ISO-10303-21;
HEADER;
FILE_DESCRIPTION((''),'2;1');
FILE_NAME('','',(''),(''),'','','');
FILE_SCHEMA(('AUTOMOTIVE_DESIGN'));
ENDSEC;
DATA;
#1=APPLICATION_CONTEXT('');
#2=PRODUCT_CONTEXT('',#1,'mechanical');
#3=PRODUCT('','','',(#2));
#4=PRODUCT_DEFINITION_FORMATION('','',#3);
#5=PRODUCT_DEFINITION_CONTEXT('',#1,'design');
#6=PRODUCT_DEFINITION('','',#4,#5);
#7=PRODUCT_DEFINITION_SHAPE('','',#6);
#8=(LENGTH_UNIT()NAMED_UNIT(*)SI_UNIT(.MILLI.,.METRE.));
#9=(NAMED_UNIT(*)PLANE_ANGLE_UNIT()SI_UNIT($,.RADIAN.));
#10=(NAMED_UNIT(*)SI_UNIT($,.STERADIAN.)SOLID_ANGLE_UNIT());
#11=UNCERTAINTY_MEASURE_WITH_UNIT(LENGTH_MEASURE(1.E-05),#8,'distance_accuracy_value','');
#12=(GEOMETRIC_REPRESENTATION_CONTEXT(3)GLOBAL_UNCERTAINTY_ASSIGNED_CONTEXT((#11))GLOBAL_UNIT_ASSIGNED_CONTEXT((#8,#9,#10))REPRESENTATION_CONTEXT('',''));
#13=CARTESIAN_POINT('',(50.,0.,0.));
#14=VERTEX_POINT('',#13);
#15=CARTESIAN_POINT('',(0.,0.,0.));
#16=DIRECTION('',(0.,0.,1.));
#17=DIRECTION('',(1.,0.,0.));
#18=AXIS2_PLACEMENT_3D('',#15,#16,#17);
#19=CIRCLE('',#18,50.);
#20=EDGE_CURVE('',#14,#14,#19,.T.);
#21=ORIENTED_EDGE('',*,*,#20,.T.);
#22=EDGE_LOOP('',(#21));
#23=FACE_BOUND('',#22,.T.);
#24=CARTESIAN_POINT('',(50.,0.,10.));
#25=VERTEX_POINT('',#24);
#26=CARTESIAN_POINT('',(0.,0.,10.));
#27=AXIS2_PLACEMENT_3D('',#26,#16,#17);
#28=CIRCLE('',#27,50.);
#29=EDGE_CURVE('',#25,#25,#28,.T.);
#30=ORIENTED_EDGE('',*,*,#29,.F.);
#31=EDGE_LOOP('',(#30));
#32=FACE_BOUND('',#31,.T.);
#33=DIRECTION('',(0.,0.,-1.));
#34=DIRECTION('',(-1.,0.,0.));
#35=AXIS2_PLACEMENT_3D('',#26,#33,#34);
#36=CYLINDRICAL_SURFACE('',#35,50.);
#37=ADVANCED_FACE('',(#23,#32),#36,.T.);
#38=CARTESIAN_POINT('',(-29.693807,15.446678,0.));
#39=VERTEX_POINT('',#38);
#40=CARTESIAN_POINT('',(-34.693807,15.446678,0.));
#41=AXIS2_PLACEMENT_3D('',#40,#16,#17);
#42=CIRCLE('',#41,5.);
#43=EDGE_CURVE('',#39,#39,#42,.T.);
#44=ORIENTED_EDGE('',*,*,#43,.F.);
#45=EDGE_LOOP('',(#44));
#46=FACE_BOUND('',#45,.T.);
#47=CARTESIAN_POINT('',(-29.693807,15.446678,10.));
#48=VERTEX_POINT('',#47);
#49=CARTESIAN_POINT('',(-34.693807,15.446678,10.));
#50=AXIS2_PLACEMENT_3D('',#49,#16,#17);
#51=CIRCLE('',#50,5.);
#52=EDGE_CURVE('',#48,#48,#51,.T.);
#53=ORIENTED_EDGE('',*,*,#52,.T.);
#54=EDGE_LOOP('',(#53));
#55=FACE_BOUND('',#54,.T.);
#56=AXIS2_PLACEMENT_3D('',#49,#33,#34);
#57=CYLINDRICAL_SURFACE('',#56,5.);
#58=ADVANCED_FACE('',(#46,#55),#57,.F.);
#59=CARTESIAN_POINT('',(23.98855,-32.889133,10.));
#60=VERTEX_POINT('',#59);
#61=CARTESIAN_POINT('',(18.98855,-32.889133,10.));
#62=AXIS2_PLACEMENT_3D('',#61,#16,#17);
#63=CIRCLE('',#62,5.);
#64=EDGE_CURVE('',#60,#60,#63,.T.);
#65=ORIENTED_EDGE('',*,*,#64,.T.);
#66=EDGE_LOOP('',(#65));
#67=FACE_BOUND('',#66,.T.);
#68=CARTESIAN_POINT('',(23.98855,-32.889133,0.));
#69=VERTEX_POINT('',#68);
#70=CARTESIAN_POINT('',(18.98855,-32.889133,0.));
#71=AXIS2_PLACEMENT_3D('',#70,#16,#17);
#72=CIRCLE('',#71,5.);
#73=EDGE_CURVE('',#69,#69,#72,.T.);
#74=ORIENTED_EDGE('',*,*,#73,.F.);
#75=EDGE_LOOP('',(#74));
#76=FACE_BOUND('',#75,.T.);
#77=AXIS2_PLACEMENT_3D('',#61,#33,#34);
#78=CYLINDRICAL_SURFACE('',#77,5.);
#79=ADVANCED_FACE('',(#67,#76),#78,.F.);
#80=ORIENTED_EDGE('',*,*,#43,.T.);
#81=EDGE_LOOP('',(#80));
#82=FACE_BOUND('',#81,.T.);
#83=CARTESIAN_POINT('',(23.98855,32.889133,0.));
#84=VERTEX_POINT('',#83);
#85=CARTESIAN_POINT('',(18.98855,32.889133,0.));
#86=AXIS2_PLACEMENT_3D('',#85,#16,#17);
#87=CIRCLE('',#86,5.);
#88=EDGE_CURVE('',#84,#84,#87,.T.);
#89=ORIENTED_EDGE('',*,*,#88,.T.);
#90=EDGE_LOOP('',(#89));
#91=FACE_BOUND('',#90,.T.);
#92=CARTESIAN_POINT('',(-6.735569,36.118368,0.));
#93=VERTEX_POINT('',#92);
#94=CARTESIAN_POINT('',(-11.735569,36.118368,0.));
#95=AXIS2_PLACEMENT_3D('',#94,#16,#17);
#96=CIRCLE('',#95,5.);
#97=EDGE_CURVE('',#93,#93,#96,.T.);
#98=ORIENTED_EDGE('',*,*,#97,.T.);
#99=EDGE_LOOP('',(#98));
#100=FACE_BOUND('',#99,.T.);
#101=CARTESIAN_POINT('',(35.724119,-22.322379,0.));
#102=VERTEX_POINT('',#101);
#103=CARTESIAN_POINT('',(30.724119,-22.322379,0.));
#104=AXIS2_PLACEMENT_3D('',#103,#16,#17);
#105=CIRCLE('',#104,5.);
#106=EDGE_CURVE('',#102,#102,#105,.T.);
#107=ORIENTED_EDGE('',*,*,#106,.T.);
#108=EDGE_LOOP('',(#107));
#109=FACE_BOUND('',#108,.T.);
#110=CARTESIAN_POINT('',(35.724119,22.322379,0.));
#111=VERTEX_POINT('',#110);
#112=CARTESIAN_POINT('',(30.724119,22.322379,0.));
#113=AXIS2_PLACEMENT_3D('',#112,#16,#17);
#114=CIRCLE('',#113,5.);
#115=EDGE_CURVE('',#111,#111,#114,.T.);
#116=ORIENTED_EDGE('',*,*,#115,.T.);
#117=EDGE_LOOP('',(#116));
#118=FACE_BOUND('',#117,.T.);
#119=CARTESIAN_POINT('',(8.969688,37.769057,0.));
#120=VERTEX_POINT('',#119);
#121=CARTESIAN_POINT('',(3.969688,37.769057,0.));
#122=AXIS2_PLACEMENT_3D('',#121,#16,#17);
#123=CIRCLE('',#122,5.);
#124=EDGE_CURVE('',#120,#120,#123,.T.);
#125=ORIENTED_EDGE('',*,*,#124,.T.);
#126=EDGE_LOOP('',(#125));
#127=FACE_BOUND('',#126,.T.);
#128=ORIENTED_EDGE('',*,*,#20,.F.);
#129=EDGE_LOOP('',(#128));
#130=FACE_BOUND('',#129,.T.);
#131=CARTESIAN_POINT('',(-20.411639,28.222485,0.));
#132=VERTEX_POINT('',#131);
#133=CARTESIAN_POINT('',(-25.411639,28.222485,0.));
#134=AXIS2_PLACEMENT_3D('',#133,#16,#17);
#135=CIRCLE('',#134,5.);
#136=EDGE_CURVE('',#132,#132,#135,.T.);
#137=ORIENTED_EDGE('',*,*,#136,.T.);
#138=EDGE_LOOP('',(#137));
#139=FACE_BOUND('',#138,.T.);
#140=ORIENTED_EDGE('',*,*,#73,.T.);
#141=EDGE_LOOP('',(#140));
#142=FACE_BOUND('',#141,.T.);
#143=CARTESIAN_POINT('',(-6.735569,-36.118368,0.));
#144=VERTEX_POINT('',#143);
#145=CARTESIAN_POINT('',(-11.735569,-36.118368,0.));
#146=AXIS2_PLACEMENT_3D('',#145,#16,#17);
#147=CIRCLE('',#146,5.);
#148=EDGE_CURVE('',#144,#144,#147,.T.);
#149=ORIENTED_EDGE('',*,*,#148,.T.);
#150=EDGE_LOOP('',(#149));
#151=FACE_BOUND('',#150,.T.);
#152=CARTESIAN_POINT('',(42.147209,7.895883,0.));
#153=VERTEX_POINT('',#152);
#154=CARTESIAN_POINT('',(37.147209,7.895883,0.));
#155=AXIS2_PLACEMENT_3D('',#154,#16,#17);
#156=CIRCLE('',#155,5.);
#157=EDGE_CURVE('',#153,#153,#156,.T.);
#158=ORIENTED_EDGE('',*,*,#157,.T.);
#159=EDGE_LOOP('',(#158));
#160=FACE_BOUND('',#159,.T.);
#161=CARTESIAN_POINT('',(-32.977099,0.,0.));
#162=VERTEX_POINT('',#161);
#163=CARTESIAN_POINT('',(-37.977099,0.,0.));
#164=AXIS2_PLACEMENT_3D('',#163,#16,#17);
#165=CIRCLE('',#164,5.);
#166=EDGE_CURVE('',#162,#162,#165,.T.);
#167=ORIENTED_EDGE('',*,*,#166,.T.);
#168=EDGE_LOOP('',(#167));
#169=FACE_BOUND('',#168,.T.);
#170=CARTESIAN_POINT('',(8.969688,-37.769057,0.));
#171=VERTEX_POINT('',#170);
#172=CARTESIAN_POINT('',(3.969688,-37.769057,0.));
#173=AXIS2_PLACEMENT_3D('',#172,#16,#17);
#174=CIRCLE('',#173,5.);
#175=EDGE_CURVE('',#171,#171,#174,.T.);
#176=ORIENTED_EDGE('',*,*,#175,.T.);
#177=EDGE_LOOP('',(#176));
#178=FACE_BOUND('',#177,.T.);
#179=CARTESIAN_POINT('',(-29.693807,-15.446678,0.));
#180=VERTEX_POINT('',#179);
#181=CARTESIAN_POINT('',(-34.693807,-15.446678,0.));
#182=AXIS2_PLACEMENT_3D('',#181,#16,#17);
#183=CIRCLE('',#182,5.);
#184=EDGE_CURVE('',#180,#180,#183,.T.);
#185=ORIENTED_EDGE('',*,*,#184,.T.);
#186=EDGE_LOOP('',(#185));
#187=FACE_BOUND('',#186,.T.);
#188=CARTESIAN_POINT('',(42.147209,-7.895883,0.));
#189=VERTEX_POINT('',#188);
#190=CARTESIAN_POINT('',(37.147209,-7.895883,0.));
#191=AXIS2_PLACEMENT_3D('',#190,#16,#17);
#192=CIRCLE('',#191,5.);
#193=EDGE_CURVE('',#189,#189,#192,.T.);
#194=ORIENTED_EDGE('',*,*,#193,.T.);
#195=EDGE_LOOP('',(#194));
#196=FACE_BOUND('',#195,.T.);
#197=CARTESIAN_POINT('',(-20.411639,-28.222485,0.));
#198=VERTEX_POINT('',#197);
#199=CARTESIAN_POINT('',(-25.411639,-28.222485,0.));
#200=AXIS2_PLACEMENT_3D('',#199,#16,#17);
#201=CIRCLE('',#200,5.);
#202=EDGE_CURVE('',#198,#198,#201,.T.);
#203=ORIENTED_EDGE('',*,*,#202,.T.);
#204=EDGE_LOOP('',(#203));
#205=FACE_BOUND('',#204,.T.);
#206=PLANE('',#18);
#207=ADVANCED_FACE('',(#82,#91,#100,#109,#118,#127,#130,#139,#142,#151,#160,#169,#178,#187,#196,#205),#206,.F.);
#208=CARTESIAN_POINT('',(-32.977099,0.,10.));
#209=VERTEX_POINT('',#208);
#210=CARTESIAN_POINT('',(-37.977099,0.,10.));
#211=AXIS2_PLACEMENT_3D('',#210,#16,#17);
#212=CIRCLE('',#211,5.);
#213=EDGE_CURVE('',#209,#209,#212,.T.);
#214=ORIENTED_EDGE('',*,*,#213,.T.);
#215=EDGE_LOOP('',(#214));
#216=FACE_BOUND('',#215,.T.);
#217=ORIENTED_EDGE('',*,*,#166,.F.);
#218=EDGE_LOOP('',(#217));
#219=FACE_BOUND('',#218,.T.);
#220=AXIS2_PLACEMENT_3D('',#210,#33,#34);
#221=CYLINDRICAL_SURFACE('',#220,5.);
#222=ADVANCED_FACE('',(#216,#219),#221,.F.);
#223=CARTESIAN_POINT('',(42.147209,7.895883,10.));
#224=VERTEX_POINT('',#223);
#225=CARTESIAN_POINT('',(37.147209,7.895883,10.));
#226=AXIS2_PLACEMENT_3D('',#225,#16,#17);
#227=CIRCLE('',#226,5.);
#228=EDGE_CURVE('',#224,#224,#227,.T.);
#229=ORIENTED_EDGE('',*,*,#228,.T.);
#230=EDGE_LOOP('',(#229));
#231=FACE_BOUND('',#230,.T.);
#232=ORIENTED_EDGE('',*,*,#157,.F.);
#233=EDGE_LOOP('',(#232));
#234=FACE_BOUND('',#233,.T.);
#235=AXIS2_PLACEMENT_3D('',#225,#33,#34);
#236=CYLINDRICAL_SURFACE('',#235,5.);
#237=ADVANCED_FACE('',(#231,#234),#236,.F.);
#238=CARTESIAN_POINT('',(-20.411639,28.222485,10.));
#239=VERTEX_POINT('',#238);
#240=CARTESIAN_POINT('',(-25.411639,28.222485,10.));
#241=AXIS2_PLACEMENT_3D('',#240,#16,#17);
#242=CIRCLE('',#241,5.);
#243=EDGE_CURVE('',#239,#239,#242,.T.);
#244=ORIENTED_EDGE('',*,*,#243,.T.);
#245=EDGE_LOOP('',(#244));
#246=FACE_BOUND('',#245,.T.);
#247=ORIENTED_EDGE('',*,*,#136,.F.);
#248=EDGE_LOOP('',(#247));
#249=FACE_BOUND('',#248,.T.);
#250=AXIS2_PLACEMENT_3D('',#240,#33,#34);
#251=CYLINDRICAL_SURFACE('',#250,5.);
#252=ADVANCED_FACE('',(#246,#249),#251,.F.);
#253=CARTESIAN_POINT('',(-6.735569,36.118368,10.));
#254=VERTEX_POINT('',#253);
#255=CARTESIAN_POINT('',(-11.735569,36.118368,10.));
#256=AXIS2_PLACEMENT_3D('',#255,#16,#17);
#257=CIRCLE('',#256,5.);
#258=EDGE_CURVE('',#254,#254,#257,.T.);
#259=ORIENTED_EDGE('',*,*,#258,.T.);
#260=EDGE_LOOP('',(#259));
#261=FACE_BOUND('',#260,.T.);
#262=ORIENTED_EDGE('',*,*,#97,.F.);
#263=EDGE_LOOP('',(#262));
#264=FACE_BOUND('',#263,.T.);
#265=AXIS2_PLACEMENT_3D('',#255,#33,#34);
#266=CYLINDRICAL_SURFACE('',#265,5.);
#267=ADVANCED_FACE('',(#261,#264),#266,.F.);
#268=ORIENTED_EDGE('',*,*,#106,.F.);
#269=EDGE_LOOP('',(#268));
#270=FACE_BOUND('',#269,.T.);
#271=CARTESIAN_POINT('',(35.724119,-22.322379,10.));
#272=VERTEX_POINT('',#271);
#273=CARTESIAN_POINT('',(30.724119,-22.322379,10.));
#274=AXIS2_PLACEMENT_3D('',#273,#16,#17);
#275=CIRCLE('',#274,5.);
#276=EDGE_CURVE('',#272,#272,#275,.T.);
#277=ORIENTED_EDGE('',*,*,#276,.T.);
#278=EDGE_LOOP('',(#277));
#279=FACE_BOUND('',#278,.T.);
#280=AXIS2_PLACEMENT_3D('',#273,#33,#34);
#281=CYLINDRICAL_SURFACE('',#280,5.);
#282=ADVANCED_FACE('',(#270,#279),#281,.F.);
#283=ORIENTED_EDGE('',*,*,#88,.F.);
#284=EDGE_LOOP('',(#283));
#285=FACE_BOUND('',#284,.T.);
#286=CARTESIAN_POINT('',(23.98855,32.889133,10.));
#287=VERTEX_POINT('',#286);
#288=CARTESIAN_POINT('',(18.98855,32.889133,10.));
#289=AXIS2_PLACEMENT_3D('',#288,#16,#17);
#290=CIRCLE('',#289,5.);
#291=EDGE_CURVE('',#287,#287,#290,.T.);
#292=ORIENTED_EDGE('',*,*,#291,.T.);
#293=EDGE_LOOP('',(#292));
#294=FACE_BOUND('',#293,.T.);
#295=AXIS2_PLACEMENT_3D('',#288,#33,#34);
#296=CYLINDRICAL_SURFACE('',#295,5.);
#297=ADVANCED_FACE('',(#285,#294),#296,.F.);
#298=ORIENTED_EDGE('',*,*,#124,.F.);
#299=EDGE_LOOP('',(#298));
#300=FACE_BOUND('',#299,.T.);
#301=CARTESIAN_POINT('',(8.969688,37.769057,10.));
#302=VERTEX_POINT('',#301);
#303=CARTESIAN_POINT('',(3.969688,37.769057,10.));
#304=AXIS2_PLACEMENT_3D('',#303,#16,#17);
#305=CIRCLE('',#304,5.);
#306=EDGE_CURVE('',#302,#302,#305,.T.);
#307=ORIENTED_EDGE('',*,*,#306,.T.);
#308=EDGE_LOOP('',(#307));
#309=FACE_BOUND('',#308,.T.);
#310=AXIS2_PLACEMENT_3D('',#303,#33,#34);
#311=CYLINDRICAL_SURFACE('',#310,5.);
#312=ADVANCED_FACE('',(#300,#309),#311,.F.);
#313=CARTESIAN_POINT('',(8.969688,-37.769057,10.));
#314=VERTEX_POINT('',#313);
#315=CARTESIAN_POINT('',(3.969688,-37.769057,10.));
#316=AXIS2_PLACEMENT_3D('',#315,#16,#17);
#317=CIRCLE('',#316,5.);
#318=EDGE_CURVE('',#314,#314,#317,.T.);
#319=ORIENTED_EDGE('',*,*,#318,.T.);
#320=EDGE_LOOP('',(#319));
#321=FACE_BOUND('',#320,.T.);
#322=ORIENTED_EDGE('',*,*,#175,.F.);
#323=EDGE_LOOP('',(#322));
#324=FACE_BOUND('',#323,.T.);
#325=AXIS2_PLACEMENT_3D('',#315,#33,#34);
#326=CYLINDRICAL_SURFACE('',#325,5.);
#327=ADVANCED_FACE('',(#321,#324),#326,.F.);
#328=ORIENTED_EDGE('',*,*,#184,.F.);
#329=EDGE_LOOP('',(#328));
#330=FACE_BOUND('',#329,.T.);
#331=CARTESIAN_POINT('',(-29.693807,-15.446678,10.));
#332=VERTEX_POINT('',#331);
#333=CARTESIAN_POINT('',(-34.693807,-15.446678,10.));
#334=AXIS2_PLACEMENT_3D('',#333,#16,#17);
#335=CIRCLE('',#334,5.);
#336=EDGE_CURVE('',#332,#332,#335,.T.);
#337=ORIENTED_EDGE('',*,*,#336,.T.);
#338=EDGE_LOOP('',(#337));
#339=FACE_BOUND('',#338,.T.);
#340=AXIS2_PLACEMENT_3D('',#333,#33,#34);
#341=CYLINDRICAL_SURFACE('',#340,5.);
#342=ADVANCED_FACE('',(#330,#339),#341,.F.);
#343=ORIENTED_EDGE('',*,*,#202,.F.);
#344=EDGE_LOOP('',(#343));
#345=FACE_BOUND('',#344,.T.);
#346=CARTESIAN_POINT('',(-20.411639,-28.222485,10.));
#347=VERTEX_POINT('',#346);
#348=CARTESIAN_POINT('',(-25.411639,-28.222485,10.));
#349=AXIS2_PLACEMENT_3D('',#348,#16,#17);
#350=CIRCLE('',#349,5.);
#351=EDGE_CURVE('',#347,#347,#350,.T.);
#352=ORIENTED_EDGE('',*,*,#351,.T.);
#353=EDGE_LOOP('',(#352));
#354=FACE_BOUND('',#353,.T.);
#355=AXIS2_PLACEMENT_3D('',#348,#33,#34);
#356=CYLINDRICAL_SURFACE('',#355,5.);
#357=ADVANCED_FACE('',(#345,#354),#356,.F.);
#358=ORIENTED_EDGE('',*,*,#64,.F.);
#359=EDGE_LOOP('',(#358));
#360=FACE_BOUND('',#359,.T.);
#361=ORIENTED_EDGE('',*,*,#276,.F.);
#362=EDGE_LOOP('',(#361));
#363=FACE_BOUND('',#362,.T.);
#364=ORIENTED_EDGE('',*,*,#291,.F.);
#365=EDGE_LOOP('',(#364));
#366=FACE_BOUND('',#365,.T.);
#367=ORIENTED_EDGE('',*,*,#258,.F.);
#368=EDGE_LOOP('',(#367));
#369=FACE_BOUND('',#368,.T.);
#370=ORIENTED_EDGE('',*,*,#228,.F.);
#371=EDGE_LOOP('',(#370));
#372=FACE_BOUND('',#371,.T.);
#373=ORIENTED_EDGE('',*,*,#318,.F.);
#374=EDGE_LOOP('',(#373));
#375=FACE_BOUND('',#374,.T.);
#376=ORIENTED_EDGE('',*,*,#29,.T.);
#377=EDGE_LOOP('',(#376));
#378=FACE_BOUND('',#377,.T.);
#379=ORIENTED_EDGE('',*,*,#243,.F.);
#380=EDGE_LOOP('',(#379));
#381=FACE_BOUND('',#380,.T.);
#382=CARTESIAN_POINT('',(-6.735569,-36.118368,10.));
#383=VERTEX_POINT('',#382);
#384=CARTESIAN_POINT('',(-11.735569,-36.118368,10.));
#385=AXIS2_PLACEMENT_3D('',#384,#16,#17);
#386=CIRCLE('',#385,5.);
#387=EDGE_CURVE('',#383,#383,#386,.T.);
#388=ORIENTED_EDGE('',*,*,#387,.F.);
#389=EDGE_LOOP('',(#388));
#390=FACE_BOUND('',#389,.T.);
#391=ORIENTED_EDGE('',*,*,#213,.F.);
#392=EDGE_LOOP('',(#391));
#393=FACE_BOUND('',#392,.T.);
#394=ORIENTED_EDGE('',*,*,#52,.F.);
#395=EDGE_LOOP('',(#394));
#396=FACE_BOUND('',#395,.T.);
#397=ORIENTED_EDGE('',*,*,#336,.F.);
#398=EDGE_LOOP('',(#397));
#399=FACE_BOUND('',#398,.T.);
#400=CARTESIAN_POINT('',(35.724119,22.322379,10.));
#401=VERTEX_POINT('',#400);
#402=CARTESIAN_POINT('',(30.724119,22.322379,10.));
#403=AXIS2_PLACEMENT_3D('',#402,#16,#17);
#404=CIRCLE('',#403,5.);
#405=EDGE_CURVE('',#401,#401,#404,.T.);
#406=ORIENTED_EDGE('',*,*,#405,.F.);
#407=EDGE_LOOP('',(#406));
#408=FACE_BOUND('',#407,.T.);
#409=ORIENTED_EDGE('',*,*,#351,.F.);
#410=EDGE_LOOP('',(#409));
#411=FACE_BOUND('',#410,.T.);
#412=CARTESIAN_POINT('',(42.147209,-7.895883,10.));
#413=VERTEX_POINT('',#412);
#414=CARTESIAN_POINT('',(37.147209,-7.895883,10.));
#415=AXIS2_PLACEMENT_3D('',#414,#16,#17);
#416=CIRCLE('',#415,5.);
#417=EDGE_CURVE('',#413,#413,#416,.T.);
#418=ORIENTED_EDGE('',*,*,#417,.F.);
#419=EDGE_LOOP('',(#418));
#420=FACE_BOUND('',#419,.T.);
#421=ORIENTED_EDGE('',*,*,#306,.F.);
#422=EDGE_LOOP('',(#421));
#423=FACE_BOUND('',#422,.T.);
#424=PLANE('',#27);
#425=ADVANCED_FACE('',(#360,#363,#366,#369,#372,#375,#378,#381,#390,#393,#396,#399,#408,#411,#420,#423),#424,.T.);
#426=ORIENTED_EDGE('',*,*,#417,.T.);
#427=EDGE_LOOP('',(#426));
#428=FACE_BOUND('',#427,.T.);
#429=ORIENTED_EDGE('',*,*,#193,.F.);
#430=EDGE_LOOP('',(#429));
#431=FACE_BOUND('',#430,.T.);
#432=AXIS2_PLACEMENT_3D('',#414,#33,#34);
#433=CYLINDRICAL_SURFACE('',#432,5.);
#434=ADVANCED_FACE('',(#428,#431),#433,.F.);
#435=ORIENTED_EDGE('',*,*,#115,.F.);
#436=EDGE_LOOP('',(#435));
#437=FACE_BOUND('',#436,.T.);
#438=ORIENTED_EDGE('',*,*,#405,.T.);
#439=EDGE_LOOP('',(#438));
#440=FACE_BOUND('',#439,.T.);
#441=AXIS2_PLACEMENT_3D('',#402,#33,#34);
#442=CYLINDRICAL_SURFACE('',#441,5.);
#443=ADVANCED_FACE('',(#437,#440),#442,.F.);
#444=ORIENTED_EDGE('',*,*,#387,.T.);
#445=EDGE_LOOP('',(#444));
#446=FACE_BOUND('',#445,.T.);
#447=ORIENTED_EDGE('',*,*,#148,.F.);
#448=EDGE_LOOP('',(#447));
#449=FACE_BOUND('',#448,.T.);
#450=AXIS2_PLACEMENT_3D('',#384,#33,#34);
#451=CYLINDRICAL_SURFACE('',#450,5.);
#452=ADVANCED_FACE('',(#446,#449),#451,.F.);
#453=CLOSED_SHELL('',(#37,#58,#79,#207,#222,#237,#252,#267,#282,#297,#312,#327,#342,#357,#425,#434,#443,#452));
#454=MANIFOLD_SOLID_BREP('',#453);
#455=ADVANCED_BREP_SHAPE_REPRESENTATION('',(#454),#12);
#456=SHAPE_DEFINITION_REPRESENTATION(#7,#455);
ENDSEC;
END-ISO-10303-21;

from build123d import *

# Parameters (mm, degrees)
CROQUIS1_R              = 50
CROQUIS1_R_2            = 5
SALIENTE_EXTRUIR1_DEPTH = 10


with BuildPart() as part:
    # Croquis1 → Saliente-Extruir1 (new body)
    with BuildSketch(Plane.XY):
        Circle(CROQUIS1_R)
        with Locations((-37.977099237, 0)):
            Circle(CROQUIS1_R_2, mode=Mode.SUBTRACT)
        with Locations((-34.693806502, 15.446677857)):
            Circle(CROQUIS1_R_2, mode=Mode.SUBTRACT)
        with Locations((-25.41163944, 28.222484784)):
            Circle(CROQUIS1_R_2, mode=Mode.SUBTRACT)
        with Locations((-11.735569061, 36.118367699)):
            Circle(CROQUIS1_R_2, mode=Mode.SUBTRACT)
        with Locations((3.969687823, 37.769056713)):
            Circle(CROQUIS1_R_2, mode=Mode.SUBTRACT)
        with Locations((18.988549618, 32.889132701)):
            Circle(CROQUIS1_R_2, mode=Mode.SUBTRACT)
        with Locations((30.72411868, 22.322378856)):
            Circle(CROQUIS1_R_2, mode=Mode.SUBTRACT)
        with Locations((37.147208501, 7.895882915)):
            Circle(CROQUIS1_R_2, mode=Mode.SUBTRACT)
        with Locations((37.147208501, -7.895882915)):
            Circle(CROQUIS1_R_2, mode=Mode.SUBTRACT)
        with Locations((30.72411868, -22.322378856)):
            Circle(CROQUIS1_R_2, mode=Mode.SUBTRACT)
        with Locations((18.988549618, -32.889132701)):
            Circle(CROQUIS1_R_2, mode=Mode.SUBTRACT)
        with Locations((3.969687823, -37.769056713)):
            Circle(CROQUIS1_R_2, mode=Mode.SUBTRACT)
        with Locations((-11.735569061, -36.118367699)):
            Circle(CROQUIS1_R_2, mode=Mode.SUBTRACT)
        with Locations((-25.41163944, -28.222484784)):
            Circle(CROQUIS1_R_2, mode=Mode.SUBTRACT)
        with Locations((-34.693806502, -15.446677857)):
            Circle(CROQUIS1_R_2, mode=Mode.SUBTRACT)
    extrude(amount=SALIENTE_EXTRUIR1_DEPTH)


solid = part.part
